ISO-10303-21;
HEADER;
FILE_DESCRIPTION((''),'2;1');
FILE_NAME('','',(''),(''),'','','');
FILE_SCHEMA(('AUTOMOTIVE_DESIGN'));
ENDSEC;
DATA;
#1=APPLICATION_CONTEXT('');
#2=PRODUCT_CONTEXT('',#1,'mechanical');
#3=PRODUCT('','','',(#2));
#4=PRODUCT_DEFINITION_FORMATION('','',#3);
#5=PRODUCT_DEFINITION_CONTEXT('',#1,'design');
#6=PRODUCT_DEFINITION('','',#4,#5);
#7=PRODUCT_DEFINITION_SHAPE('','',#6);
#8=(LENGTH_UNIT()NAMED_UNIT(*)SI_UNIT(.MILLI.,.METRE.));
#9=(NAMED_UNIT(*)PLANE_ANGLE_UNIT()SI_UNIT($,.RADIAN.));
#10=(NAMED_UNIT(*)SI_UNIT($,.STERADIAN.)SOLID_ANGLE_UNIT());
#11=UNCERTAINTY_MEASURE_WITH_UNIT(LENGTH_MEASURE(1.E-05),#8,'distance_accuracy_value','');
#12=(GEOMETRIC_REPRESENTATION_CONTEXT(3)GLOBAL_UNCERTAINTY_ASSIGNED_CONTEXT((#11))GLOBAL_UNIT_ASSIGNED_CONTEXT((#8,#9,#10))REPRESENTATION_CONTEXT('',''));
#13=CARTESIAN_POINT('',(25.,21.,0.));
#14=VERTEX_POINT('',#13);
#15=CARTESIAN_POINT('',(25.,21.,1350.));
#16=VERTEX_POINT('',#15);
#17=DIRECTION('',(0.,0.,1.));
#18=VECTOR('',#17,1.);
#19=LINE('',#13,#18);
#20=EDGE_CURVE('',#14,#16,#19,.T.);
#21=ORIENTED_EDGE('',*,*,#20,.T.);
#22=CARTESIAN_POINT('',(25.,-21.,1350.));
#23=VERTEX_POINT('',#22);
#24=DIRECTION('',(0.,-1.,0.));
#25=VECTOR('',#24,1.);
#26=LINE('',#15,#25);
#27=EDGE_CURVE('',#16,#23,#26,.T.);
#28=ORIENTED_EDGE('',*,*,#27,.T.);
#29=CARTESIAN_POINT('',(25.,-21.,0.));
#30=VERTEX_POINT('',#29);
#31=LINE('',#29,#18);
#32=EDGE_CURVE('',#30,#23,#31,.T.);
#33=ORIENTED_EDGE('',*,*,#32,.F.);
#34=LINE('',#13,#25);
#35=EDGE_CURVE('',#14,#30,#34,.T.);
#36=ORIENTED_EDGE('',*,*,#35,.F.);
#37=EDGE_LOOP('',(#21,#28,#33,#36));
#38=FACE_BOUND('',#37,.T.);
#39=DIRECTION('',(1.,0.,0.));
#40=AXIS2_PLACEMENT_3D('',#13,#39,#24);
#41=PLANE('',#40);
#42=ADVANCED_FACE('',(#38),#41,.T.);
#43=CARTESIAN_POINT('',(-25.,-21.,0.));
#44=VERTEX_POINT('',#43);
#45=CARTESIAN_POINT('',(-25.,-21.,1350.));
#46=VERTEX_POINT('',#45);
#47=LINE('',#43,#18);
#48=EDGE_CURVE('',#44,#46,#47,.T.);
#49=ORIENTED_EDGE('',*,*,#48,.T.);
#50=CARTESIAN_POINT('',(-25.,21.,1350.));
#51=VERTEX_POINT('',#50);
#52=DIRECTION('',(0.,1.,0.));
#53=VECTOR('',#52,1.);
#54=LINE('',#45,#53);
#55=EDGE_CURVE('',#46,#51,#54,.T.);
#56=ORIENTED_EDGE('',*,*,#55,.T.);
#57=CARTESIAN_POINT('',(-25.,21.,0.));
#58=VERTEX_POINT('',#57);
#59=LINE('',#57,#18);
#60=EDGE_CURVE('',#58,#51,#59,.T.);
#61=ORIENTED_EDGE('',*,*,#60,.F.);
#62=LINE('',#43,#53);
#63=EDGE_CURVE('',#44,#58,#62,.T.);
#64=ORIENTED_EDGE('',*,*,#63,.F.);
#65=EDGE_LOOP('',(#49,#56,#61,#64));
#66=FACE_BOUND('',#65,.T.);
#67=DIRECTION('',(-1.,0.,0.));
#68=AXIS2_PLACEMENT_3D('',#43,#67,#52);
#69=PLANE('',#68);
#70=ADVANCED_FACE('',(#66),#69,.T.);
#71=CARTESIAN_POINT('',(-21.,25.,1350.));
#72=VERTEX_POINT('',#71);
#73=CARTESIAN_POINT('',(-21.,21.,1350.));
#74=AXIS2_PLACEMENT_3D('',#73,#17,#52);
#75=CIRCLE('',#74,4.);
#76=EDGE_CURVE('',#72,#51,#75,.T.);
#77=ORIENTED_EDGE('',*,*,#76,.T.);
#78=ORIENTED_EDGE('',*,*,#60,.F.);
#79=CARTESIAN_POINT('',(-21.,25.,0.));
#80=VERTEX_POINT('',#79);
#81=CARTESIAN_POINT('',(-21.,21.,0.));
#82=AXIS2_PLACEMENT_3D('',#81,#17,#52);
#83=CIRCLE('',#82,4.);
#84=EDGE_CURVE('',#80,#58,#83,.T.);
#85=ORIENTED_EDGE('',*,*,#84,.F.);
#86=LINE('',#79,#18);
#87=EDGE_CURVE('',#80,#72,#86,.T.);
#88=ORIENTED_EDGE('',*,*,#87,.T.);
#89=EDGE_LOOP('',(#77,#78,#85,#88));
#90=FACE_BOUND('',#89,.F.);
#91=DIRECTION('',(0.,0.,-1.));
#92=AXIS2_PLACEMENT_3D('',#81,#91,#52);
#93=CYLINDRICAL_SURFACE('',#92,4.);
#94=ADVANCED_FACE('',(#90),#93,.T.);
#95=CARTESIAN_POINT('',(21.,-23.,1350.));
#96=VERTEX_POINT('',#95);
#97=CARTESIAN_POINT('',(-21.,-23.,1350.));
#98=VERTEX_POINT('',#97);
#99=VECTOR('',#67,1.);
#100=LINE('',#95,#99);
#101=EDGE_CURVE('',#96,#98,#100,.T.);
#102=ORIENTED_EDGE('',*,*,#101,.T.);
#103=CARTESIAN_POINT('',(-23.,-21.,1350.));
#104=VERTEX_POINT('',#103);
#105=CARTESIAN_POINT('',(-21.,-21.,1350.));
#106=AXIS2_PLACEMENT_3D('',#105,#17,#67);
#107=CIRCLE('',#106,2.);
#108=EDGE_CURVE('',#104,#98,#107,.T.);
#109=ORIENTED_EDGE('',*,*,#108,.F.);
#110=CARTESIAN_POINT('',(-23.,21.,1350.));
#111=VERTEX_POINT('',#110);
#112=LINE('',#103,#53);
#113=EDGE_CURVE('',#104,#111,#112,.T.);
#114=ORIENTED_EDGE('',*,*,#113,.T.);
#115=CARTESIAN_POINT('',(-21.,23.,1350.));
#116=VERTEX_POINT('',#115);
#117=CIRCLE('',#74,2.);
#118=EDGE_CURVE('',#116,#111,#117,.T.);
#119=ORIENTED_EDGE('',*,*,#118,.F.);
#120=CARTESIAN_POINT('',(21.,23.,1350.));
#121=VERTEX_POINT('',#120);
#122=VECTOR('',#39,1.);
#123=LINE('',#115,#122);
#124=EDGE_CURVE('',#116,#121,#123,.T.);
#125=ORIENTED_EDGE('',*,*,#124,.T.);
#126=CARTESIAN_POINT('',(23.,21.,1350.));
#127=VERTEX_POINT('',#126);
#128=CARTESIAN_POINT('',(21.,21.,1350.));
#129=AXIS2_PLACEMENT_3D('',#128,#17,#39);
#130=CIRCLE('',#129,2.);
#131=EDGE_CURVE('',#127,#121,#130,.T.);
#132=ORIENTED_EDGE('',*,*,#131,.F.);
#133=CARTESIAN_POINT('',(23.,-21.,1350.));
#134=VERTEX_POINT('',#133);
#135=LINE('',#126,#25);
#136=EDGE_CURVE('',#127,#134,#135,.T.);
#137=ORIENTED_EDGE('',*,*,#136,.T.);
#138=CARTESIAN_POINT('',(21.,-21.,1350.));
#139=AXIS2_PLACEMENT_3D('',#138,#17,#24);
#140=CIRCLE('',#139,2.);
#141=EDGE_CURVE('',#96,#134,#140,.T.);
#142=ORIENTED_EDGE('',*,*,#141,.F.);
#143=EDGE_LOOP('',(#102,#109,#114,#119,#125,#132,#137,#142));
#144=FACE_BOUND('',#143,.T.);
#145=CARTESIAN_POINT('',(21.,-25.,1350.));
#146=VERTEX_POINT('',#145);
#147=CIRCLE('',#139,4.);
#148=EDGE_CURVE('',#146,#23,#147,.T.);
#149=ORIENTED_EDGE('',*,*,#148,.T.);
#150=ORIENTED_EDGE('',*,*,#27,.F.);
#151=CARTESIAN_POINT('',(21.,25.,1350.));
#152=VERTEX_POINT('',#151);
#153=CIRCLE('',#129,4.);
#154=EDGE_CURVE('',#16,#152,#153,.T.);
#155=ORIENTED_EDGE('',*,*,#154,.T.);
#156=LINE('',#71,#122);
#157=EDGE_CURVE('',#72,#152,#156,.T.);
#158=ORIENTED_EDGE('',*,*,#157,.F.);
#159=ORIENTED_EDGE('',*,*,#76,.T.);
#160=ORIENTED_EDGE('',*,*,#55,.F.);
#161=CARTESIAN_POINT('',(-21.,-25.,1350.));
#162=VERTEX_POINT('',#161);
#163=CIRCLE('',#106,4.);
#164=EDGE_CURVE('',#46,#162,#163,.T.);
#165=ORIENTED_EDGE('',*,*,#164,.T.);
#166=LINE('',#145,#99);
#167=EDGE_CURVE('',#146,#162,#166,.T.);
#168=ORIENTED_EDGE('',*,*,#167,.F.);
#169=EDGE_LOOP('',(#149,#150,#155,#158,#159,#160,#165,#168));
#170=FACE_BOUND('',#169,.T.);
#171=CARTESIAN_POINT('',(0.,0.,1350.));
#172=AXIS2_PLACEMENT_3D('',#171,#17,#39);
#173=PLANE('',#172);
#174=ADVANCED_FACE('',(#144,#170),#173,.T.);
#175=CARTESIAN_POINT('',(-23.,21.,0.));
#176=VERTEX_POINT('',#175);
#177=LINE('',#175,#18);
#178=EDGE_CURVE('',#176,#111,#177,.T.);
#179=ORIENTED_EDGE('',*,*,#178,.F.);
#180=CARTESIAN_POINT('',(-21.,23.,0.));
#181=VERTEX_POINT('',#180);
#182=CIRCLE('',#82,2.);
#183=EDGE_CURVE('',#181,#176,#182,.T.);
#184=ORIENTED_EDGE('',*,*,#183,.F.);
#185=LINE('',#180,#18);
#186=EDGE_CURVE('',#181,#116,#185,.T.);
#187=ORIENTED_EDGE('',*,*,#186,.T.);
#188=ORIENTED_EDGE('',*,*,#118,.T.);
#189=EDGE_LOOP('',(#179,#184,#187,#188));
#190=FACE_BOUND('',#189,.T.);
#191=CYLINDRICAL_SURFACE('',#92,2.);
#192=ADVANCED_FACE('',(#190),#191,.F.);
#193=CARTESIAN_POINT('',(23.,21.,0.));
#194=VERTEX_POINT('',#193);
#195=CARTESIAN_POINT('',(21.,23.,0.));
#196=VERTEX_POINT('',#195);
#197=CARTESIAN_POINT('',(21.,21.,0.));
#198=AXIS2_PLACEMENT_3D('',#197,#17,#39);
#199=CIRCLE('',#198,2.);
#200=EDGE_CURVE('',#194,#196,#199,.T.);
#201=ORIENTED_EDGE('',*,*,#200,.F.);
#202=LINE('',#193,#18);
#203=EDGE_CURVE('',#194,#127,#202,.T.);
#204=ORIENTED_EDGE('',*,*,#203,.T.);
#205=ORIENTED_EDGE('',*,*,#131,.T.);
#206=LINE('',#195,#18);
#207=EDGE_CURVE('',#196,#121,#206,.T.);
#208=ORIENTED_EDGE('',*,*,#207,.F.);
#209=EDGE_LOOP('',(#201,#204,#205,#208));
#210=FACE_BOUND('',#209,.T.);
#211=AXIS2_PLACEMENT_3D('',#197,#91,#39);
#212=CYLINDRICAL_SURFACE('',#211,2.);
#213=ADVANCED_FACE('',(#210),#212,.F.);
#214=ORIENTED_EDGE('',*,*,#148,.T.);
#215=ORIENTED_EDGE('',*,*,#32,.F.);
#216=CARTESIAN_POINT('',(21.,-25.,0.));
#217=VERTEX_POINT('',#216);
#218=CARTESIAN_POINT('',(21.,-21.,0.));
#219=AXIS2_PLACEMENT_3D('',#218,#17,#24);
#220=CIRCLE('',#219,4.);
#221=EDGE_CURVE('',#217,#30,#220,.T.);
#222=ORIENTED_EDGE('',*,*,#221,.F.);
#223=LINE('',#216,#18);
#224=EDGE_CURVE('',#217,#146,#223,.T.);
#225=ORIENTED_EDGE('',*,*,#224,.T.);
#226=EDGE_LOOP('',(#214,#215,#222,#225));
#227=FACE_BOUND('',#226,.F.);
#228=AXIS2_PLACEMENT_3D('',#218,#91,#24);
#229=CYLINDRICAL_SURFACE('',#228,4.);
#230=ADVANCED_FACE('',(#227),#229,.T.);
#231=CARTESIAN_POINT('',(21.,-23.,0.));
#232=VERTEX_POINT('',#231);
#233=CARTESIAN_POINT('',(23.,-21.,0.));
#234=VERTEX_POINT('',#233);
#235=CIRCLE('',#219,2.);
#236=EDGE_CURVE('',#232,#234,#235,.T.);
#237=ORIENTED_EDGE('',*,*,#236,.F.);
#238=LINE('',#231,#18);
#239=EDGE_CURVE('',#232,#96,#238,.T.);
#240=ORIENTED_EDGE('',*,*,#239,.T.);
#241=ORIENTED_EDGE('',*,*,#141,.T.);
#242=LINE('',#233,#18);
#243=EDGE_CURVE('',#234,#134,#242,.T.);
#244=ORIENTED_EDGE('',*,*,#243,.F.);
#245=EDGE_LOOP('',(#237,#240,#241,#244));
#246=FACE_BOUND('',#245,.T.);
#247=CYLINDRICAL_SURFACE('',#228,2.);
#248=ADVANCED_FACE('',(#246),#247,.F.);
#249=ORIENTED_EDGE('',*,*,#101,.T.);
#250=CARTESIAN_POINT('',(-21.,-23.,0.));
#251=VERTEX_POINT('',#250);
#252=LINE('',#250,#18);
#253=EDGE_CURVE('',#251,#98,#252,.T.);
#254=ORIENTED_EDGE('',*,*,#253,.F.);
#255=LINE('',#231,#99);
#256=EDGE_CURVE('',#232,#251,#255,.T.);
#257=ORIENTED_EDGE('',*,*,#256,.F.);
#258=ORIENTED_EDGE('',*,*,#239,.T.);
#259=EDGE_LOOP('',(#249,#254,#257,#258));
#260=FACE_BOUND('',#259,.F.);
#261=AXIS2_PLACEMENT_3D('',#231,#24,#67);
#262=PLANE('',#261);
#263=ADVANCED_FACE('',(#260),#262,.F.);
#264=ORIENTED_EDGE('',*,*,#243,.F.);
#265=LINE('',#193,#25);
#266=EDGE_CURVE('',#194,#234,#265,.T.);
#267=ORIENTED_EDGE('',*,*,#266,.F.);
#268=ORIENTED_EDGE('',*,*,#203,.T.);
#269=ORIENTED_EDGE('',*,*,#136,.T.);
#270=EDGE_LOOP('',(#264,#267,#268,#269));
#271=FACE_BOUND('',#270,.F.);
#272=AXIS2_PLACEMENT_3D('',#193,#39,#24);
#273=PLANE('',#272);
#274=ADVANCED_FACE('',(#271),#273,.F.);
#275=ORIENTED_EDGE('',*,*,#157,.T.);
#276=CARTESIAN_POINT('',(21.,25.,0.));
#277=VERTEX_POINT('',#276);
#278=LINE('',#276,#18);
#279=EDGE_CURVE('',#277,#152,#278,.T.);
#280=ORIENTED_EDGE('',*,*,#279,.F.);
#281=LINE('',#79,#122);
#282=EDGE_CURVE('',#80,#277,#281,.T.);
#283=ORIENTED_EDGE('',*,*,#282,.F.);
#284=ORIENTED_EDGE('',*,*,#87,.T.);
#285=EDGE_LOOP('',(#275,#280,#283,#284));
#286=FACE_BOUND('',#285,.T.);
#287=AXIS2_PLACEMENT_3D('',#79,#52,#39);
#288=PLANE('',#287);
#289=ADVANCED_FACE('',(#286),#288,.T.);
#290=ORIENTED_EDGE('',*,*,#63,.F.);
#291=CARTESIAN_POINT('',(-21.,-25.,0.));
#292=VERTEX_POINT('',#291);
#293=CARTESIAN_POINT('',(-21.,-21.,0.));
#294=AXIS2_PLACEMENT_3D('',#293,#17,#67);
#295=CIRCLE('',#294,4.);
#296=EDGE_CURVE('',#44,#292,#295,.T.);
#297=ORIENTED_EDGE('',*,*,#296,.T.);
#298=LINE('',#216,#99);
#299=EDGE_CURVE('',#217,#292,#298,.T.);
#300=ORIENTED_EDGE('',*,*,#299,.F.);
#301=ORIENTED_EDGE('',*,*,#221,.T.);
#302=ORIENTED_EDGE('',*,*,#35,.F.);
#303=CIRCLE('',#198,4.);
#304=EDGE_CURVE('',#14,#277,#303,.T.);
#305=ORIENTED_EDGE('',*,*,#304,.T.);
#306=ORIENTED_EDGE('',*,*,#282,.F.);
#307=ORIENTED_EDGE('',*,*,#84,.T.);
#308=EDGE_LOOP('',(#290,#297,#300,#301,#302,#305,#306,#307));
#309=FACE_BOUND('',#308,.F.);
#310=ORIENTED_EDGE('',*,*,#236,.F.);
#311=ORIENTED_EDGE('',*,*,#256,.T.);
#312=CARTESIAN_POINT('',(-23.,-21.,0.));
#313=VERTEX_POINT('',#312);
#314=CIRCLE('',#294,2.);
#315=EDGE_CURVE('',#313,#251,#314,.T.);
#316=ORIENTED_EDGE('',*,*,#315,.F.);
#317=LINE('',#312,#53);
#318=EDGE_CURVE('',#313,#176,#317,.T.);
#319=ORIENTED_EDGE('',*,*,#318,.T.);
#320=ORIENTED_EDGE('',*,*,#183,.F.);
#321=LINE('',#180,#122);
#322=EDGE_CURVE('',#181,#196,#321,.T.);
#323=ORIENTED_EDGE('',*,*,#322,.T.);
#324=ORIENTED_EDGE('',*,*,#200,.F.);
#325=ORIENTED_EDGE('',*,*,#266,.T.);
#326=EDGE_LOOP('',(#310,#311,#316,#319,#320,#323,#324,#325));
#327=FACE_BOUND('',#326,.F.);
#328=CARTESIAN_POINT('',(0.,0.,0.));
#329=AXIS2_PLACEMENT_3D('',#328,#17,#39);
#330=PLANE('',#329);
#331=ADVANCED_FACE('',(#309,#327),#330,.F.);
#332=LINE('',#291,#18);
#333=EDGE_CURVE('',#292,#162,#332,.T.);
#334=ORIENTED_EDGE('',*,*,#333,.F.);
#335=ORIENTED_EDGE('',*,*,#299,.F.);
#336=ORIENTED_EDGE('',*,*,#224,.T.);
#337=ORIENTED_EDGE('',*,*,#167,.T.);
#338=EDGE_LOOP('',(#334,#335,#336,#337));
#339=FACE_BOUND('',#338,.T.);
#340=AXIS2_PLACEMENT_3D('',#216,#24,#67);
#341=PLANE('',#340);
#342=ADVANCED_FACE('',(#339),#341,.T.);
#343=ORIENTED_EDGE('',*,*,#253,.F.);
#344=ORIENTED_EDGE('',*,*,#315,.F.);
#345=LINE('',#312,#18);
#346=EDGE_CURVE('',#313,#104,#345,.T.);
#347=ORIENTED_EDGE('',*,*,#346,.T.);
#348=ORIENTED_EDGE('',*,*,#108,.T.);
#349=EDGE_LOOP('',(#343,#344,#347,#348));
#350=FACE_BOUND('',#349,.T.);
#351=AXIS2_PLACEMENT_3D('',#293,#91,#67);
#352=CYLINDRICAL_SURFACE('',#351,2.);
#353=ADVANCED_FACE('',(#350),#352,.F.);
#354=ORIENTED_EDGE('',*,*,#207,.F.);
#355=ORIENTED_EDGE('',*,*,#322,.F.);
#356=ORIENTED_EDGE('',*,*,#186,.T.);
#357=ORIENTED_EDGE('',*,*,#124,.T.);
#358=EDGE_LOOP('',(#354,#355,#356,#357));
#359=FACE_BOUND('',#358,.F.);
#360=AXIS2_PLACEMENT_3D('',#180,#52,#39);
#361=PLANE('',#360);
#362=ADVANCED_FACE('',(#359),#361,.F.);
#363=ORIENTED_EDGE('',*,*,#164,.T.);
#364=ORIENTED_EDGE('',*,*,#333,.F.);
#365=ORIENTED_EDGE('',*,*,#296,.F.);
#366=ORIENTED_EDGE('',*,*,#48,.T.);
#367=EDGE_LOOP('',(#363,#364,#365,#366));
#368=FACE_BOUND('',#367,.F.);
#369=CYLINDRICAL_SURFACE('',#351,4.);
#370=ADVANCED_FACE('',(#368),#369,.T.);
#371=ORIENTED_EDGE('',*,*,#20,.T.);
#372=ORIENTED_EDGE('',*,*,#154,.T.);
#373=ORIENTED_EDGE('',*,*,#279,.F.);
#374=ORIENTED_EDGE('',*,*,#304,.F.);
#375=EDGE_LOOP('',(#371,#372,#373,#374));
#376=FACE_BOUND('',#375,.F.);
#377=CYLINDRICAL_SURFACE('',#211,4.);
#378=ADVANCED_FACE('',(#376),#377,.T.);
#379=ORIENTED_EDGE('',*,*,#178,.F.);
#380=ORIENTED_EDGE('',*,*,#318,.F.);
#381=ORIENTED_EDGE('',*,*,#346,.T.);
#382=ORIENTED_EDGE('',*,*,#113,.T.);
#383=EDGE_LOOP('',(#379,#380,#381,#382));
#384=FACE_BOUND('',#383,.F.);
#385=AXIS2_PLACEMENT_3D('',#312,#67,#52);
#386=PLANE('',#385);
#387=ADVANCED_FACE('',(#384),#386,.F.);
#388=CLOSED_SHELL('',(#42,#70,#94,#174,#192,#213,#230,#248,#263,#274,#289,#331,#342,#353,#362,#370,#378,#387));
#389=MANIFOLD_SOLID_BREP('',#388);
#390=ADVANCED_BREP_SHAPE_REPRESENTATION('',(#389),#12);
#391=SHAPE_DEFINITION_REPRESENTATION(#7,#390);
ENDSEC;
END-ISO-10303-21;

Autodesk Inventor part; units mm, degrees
ref_plane "YZ Plane" through (0, 0, 0) normal (1, 0, 0) x (0, 1, 0)
ref_plane "Start Plane" through (0, 0, 0) normal (0, 0, 1) x (1, 0, 0)
ref_plane "End Plane" through (0, 0, 1350) normal (0, 0, 1) x (1, 0, 0)
sketch "Sketch" plane through (0, 0, 0) normal (0, 0, 1) x (1, 0, 0)
  line L0 (-25, -21) -> (-25, 21)
  line L1 (-21, 25) -> (21, 25)
  line L2 (25, 21) -> (25, -21)
  line L3 (21, -25) -> (-21, -25)
  arc A0 (-25, -21) -> (-21, -25) centre (-21, -21) ccw
  arc A1 (25, 21) -> (21, 25) centre (21, 21) ccw
  arc A2 (-21, 25) -> (-25, 21) centre (-21, 21) ccw
  arc A3 (21, -25) -> (25, -21) centre (21, -21) ccw
  arc A4 (-21, 23) -> (-23, 21) centre (-21, 21) ccw
  line L4 (-21, 23) -> (21, 23)
  arc A5 (23, 21) -> (21, 23) centre (21, 21) ccw
  line L5 (23, 21) -> (23, -21)
  arc A6 (21, -23) -> (23, -21) centre (21, -21) ccw
  line L6 (21, -23) -> (-21, -23)
  arc A7 (-23, -21) -> (-21, -23) centre (-21, -21) ccw
  line L7 (-23, -21) -> (-23, 21)
  line L8 (0, 36.1598) -> (0, -36.1598) construction
  line L9 (-36.1598, 0) -> (36.1598, 0) construction
  dimension "d7" = 4
  dimension "d9" = 50
  dimension "d11" = 50
  dimension "d12" = 2
  dimension "d15" = 25
  dimension "d16" = 25
extrude "Body" add sketch "Sketch" along normal up to surface (1350 mm away) from surface at 0
sketch "Sketch3" plane through (0, 0, 0) normal (0, 0, 1) x (1, 0, 0)
  line L0 (0, 0) -> (10, 0)
ref_plane "Work Plane3" through (0, 0, 0) normal (0, -1, 0) x (1, 0, 0)
sketch "Sketch4" plane through (0, 0, 0) normal (0, -1, 0) x (1, 0, 0)
  line L0 (-2, 0) -> (12, 0) projected
  line L1 (-2, 1350) -> (12, 1350) projected
  dimension "d18" = 1350
equation "\"d7\" = G_IR"
equation "\"d9\" = G_W"
equation "\"d11\" = G_H"
equation "\"d12\" = G_T"
equation "\"d15\" = 0.5 * d9"
equation "\"d16\" = 0.5 * d11"
equation "\"d3\" = G_L"
equation "\"G_W\" = 50"
equation "\"G_H\" = 50"
equation "\"G_T\" = 2"
equation "\"G_IR\" = 4"
equation "\"G_L\" = d18"
equation "\"G_OFFSET_START\" = 0"
equation "\"G_OFFSET_END\" = 0"
properties part number "ISO 4019 - 50x50x2 - 1350" material "Steel, Mild"
